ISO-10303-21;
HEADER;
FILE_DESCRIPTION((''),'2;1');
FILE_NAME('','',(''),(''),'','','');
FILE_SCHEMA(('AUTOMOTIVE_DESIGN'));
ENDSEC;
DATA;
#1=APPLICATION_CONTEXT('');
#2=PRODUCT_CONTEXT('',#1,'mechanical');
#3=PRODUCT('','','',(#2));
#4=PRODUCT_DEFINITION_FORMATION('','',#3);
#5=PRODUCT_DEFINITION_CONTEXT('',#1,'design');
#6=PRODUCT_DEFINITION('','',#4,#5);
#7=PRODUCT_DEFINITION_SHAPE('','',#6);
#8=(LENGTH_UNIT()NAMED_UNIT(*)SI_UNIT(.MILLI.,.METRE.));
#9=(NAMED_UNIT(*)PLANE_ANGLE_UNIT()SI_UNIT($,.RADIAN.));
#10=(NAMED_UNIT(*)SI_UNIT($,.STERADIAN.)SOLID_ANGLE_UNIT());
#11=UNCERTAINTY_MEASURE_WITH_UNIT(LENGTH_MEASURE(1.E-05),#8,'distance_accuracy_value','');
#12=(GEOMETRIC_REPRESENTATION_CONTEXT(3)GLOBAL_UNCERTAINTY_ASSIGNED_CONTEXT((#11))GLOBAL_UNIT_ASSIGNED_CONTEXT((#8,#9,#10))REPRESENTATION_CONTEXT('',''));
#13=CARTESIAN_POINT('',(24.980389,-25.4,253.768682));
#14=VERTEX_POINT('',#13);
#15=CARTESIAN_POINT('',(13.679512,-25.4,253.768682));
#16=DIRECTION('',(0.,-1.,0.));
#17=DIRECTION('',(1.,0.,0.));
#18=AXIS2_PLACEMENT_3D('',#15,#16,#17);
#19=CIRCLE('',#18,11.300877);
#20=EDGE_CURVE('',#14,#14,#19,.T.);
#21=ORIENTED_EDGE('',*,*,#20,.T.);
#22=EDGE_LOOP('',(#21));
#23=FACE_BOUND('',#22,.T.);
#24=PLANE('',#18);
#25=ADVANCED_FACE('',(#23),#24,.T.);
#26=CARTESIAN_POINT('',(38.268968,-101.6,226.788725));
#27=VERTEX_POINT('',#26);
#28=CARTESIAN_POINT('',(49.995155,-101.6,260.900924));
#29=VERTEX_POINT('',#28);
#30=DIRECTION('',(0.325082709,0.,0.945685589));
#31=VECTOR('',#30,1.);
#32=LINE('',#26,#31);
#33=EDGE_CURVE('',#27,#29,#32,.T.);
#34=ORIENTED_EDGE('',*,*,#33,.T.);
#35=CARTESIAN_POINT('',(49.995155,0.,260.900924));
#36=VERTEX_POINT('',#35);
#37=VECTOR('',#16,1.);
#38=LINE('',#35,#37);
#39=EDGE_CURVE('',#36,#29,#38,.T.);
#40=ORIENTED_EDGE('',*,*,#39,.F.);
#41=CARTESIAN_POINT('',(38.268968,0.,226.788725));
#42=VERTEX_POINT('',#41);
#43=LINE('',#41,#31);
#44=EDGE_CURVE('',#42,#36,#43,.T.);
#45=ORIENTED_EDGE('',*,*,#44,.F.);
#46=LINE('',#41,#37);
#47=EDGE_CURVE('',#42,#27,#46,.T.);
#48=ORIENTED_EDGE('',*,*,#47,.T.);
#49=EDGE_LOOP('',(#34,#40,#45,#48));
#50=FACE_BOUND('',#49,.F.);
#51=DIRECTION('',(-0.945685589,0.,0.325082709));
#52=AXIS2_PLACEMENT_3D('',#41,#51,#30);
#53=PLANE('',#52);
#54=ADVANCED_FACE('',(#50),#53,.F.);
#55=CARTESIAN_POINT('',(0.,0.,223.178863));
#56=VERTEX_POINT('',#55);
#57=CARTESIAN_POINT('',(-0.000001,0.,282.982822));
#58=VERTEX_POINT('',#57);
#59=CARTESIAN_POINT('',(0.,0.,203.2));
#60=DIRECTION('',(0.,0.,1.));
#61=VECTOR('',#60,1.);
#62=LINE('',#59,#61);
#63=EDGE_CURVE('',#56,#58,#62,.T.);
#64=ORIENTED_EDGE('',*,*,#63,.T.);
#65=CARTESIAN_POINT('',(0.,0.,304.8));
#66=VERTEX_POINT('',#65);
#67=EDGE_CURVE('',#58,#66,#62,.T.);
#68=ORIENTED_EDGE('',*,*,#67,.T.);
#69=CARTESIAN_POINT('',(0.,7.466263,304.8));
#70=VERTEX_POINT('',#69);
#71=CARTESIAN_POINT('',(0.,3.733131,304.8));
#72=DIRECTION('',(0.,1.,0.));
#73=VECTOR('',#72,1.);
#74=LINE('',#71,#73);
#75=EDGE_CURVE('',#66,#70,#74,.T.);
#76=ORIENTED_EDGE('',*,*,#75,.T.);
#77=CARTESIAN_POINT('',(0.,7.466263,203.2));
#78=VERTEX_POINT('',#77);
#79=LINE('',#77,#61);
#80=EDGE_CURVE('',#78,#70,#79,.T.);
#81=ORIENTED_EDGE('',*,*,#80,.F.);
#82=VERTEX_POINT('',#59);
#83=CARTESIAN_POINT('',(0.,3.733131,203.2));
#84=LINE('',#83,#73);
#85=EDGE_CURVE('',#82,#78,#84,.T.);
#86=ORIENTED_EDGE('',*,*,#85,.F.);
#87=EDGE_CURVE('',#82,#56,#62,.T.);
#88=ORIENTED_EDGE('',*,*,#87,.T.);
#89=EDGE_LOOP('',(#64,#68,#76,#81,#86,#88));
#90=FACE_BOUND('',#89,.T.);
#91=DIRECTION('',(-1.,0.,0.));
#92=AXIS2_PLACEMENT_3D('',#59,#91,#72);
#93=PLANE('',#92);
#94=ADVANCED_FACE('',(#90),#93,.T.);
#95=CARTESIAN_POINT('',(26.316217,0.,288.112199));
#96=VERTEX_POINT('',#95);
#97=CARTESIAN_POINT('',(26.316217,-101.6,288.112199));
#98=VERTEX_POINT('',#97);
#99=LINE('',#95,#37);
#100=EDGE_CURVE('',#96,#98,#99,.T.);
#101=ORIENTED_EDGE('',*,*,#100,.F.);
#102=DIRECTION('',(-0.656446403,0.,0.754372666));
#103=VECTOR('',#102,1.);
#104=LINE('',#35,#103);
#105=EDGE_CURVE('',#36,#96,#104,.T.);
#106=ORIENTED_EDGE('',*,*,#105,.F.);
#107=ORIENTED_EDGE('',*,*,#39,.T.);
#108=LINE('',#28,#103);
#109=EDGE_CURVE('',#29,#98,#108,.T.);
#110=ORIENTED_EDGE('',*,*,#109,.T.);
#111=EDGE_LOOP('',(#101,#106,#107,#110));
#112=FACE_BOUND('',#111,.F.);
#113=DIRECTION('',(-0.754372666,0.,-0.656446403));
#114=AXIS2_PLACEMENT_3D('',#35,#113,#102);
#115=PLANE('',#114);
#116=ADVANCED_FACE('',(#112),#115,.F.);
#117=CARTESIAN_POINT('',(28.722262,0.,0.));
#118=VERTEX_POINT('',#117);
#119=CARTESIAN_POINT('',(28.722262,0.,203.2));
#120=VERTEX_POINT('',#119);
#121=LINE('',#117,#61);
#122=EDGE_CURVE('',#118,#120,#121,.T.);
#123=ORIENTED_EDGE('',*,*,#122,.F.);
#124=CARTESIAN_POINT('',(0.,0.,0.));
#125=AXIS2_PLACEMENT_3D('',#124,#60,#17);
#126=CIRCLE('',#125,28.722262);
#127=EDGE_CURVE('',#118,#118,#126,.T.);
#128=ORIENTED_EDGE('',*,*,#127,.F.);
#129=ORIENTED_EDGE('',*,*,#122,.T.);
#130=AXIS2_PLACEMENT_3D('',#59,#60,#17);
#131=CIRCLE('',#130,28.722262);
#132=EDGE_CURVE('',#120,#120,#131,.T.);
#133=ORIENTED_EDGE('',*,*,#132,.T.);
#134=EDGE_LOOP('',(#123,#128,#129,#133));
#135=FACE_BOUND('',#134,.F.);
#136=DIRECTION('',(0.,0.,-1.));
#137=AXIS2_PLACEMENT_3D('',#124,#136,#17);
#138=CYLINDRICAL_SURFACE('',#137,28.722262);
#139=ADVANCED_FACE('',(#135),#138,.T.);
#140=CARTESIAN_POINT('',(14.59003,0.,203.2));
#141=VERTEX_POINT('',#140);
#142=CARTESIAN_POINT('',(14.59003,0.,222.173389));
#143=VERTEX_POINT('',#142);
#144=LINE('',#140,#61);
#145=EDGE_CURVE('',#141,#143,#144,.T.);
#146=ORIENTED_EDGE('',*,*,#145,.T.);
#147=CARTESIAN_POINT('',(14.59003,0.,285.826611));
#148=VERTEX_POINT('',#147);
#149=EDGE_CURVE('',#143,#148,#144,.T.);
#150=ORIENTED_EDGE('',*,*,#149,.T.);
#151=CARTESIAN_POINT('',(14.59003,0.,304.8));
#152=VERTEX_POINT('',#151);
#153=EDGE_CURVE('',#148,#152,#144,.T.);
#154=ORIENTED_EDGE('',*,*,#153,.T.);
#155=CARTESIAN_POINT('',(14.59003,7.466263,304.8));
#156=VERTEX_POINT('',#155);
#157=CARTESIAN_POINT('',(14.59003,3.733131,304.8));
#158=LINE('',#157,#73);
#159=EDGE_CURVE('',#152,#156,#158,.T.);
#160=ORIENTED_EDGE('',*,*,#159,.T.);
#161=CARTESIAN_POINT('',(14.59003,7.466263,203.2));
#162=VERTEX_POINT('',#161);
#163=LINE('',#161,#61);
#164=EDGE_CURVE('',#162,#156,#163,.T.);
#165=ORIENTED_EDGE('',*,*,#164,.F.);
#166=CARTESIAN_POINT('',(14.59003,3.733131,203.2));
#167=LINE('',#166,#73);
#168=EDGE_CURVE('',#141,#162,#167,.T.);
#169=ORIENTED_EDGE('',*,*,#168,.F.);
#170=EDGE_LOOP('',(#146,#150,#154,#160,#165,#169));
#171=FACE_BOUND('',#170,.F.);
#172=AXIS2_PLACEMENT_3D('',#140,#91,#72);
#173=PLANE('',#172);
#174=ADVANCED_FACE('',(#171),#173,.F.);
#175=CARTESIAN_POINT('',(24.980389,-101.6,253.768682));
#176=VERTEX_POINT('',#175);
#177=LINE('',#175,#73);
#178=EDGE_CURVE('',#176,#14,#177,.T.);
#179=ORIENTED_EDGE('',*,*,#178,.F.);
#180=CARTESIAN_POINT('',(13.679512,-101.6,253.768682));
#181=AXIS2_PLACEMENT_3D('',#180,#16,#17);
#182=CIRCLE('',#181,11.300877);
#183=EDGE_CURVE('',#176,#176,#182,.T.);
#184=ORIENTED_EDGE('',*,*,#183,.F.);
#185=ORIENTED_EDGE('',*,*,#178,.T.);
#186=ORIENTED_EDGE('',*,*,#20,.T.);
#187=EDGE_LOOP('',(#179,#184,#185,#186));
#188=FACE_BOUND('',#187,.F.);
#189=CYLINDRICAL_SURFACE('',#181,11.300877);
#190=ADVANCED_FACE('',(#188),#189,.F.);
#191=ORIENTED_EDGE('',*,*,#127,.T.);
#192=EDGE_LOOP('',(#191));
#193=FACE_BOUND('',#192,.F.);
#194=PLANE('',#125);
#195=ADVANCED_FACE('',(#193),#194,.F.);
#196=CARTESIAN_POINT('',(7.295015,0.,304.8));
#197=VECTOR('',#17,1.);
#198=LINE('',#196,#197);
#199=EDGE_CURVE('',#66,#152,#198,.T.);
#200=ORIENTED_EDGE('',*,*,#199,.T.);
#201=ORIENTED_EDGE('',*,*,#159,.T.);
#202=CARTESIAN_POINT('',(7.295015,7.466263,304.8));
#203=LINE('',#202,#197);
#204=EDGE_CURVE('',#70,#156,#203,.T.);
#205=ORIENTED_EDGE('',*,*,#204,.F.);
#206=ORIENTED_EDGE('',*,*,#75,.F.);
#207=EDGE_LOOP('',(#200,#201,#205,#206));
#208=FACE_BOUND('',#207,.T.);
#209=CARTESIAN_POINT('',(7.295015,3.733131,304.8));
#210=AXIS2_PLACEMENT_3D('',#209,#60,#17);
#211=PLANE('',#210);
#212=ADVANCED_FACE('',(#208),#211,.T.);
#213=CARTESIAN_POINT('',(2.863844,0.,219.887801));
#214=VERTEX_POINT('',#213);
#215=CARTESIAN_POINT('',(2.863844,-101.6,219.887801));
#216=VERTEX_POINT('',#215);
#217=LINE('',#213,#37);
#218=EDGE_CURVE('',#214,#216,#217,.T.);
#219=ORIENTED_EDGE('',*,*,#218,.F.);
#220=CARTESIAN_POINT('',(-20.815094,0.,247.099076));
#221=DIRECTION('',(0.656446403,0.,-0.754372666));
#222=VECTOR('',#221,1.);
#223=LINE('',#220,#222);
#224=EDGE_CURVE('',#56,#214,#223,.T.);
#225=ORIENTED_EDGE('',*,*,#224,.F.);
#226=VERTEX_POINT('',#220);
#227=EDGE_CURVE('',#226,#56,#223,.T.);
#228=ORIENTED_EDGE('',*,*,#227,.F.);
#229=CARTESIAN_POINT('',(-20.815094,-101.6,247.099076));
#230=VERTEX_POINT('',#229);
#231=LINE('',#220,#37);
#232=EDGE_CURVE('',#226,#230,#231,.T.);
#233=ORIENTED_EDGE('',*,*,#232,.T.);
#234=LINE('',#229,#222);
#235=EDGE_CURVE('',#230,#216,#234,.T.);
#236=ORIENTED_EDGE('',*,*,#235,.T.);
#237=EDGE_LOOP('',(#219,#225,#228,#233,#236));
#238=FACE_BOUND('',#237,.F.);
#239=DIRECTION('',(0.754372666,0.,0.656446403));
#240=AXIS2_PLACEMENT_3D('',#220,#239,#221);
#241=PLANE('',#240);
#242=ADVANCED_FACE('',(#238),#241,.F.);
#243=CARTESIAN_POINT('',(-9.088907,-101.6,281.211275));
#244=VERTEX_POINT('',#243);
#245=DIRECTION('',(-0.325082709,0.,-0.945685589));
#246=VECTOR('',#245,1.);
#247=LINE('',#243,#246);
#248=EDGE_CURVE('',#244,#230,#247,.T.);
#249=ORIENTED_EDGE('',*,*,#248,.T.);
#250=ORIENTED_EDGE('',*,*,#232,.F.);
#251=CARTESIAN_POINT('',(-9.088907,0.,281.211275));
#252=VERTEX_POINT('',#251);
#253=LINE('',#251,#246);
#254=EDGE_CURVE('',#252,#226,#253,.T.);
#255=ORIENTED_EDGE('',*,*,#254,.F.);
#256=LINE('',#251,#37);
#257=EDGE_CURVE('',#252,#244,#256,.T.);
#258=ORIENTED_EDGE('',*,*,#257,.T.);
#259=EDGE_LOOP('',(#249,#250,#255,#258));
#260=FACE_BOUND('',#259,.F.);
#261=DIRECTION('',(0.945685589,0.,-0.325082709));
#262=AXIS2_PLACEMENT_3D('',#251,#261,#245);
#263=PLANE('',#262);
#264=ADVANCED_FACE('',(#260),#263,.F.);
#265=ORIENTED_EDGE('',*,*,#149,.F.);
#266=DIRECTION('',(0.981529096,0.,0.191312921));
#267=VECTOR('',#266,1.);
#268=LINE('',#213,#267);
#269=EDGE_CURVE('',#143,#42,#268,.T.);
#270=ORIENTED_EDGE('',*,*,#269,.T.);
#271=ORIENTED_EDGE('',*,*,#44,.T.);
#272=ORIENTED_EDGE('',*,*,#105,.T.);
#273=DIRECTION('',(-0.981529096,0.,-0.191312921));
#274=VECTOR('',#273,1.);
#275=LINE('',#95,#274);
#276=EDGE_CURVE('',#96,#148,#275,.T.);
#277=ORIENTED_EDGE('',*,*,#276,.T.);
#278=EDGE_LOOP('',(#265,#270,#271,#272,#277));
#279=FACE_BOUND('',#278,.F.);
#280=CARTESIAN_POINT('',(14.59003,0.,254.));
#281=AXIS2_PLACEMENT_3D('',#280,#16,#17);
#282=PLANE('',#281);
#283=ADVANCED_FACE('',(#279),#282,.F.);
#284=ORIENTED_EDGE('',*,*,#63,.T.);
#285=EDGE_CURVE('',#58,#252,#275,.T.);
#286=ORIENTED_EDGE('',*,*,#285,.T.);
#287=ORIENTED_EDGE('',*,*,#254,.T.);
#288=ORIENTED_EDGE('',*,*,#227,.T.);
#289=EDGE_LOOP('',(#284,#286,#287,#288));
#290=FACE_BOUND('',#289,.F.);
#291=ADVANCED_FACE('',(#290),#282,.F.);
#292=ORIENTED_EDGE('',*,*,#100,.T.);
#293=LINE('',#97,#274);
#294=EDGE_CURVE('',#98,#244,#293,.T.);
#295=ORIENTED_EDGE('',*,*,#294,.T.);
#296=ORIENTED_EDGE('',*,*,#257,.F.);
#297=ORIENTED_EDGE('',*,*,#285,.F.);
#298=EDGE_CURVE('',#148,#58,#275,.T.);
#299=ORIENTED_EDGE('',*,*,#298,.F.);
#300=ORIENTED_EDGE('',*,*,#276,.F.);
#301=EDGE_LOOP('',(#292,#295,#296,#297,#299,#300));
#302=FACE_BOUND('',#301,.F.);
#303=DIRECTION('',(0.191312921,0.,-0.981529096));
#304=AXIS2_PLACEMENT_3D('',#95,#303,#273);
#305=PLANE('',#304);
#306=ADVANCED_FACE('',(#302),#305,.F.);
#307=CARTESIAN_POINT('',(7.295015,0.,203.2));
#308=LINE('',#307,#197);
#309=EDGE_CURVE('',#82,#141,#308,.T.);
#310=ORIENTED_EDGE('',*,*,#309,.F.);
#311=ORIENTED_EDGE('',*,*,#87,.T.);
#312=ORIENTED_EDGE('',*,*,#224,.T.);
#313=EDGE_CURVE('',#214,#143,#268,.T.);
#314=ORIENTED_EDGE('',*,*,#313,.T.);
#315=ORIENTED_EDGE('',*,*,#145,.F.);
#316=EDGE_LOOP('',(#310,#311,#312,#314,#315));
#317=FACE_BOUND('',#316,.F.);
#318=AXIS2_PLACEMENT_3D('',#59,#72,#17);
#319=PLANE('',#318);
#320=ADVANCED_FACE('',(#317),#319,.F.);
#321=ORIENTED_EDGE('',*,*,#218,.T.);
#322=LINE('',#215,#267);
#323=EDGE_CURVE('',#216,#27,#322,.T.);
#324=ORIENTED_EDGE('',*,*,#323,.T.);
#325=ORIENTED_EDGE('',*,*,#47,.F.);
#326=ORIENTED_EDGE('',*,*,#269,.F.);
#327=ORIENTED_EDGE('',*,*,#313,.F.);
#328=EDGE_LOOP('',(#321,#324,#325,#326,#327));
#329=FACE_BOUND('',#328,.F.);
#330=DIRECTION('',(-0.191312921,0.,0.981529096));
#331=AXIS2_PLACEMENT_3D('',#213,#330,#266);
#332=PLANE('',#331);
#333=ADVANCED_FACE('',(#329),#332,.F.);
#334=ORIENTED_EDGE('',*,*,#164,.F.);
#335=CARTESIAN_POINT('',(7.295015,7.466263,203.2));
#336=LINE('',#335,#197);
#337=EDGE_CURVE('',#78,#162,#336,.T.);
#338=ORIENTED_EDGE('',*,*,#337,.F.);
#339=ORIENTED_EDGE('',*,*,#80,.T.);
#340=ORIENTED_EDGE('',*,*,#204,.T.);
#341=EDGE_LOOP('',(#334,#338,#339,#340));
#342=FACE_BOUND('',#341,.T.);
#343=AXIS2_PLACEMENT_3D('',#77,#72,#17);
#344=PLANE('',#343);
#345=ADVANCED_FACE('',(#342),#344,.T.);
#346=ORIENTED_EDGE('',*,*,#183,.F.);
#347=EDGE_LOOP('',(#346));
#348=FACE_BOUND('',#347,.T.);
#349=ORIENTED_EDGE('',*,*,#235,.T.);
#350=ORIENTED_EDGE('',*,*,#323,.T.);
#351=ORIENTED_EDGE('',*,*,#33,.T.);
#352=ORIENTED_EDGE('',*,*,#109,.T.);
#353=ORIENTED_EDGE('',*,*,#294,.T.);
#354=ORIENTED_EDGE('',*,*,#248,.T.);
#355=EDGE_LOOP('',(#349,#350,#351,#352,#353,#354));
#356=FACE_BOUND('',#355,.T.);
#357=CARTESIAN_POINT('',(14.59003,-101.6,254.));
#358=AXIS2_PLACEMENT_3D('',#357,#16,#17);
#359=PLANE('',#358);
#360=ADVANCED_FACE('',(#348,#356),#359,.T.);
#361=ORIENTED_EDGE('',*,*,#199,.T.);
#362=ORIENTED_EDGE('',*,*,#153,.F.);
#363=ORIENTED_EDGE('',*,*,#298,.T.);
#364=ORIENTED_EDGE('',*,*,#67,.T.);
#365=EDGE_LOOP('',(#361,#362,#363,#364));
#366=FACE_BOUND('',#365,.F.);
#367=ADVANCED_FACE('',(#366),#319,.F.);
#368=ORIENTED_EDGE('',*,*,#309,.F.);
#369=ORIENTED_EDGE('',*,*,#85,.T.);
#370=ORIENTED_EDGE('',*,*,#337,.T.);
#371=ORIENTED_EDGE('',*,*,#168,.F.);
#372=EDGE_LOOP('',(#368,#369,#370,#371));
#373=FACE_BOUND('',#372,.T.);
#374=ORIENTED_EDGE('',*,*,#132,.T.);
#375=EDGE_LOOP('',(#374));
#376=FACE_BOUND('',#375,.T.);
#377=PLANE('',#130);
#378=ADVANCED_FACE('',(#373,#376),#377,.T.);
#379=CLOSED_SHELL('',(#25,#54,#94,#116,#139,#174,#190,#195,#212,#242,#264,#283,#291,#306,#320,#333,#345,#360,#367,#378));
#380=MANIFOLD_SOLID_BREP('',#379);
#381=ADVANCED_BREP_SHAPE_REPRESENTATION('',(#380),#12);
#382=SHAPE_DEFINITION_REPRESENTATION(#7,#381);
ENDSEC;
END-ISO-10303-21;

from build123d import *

# Parameters (mm, degrees)
F0_R     = 28.722262
F1_DEPTH = 203.2
F2_W     = 14.590031
F2_H     = 7.466263
F3_DEPTH = 101.6
F5_DEPTH = 101.6
F6_R     = 11.300877
F7_DEPTH = 76.2


with BuildPart() as f1:
    # F0 (on Top) → F1 (new body)
    with BuildSketch(Plane.XY):
        Circle(F0_R)
    extrude(amount=F1_DEPTH)

    # F2 (on face) → F3 (join)
    with BuildSketch(Plane.XY.offset(203.2)):
        with Locations((7.295015, 3.733131)):
            Rectangle(F2_W, F2_H)
    extrude(amount=F3_DEPTH)

    # F4 (on face) → F5 (join)
    with BuildSketch(Plane.XZ):
        Polygon((38.268968, 226.788725), (49.995155, 260.900924), (26.316217, 288.112199), (-9.088907, 281.211275), (-20.815094, 247.099076), (2.863844, 219.887801), align=None)
    extrude(amount=F5_DEPTH)

    # F6 (on face) → F7 (cut)
    with BuildSketch(Plane.XZ.offset(101.6)):
        with Locations((13.679512, 253.768682)):
            Circle(F6_R)
    extrude(amount=-F7_DEPTH, mode=Mode.SUBTRACT)


solid = f1.part
